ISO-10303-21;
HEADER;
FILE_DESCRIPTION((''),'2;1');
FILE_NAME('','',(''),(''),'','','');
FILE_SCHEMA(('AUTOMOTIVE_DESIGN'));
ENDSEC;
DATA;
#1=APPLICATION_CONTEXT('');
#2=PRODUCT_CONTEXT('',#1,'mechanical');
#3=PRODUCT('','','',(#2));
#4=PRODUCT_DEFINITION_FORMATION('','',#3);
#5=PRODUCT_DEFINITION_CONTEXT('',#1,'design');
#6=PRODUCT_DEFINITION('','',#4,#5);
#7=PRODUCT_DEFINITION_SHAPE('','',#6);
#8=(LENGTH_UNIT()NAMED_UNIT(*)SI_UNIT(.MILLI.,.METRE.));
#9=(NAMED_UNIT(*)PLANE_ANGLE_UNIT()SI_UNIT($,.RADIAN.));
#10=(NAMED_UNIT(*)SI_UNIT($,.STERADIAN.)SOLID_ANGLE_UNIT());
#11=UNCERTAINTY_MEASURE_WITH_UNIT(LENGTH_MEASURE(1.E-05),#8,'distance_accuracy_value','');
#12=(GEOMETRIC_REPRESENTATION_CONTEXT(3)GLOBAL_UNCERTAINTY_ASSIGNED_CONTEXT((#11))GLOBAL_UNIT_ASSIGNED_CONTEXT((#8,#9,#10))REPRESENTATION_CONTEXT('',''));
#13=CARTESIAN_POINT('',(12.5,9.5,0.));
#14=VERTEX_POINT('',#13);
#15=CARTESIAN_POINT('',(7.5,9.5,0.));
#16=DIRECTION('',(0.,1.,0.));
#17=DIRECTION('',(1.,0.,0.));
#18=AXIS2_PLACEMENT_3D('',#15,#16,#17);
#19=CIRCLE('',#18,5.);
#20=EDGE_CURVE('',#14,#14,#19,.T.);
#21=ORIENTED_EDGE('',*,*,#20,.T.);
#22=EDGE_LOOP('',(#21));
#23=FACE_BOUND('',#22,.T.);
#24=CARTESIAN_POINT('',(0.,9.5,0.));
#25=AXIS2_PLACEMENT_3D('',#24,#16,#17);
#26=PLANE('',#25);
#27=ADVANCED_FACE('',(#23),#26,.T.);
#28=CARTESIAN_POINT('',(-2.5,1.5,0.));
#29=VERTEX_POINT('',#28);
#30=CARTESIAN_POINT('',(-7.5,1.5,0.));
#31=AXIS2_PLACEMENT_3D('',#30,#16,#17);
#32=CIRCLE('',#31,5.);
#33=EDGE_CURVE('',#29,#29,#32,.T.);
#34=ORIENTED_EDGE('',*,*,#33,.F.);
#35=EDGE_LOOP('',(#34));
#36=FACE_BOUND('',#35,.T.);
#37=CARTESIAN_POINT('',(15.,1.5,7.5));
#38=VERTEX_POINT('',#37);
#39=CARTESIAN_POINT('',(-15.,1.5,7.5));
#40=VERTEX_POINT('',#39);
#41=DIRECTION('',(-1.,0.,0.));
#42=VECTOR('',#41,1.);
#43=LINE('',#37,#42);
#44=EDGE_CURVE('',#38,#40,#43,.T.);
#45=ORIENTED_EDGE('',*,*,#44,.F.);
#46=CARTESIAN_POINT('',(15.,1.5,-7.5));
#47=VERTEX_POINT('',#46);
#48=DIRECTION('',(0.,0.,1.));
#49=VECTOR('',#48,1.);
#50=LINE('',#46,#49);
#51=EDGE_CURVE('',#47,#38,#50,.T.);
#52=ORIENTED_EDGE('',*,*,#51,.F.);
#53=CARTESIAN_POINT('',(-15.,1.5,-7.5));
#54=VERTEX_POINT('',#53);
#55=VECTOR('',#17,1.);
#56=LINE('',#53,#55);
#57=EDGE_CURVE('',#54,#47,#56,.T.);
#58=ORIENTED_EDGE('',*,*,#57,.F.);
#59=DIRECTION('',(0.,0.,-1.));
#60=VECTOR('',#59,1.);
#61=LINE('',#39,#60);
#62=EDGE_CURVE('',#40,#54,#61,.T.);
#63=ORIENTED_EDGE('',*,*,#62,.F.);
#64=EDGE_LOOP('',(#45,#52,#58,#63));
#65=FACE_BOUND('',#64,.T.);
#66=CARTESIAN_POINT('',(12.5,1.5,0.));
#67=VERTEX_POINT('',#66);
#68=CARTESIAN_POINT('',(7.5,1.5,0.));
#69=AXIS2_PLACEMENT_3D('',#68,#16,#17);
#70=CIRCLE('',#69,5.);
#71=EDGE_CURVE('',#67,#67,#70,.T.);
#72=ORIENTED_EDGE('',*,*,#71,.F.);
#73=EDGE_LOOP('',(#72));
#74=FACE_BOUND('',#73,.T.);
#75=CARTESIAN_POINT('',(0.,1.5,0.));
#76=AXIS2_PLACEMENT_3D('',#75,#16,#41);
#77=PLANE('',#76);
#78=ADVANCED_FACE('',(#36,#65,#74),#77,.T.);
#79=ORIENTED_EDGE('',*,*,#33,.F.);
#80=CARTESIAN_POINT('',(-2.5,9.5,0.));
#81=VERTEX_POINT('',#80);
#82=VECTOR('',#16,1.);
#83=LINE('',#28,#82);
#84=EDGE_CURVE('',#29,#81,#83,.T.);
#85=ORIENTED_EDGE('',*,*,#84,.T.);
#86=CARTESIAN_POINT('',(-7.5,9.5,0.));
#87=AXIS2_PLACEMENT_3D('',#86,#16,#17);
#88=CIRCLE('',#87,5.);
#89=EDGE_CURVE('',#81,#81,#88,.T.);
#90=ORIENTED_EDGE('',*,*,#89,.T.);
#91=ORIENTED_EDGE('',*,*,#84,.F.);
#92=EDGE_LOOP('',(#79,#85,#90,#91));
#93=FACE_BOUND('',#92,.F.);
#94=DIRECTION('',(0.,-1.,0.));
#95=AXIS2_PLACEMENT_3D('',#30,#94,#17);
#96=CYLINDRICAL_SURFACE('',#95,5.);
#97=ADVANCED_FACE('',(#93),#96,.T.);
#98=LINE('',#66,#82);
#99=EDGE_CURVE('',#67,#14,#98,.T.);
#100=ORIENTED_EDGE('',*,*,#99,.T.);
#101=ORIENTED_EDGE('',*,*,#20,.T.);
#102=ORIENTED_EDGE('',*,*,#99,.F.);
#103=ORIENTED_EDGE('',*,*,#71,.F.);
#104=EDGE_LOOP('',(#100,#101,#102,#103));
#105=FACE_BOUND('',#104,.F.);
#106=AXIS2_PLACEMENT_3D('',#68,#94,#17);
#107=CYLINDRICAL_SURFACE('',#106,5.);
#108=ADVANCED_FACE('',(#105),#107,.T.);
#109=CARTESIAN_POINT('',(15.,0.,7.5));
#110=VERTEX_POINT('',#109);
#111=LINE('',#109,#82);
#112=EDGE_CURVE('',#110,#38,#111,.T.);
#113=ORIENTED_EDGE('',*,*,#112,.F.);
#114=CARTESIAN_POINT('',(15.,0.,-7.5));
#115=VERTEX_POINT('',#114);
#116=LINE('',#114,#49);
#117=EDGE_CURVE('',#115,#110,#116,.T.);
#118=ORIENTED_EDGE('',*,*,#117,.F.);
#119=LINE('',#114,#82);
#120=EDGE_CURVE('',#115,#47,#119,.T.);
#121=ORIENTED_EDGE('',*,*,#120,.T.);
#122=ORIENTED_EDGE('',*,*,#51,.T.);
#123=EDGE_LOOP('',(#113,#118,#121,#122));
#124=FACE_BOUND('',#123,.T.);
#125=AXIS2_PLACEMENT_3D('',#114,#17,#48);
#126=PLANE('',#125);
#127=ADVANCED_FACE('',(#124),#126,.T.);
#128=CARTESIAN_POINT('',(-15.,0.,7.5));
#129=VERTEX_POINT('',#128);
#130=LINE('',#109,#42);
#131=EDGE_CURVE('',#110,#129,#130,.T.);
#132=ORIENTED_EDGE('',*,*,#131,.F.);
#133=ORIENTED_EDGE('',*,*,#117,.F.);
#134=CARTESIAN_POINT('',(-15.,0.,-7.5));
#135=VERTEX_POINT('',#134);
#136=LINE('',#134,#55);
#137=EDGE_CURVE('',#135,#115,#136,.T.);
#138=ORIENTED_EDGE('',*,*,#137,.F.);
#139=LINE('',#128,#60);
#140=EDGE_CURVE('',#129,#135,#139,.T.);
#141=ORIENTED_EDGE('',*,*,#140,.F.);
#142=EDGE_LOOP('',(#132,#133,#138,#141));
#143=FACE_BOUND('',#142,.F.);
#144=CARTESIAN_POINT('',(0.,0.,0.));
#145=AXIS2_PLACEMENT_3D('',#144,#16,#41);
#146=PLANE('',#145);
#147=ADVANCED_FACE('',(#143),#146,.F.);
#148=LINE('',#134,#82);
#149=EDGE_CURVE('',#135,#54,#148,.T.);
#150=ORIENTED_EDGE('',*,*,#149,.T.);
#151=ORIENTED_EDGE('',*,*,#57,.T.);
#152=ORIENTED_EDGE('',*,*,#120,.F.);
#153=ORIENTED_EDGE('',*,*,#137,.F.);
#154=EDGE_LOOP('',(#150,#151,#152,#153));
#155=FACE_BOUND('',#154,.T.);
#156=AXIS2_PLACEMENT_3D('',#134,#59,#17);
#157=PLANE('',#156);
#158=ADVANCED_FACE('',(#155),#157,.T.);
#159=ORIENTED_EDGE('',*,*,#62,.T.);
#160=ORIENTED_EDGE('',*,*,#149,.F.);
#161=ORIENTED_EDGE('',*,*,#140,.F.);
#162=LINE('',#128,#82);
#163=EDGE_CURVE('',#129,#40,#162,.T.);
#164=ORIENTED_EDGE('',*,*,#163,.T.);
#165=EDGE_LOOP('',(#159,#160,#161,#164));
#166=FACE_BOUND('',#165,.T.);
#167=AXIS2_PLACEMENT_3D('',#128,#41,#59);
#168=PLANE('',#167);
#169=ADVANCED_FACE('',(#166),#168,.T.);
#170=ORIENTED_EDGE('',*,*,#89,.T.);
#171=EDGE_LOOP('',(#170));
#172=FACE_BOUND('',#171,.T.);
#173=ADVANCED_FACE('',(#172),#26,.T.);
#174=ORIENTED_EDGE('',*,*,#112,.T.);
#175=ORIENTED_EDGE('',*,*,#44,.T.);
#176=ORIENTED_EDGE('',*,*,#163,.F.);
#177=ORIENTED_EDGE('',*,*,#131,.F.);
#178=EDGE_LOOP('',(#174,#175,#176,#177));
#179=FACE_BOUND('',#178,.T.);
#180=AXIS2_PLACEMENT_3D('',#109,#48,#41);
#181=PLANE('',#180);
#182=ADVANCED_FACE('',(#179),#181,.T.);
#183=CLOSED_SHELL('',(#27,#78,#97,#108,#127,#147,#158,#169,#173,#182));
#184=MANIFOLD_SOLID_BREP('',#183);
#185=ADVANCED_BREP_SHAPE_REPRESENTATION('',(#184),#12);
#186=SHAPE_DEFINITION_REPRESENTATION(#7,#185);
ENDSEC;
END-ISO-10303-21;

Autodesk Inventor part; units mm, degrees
ref_plane "YZ Plane" through (0, 0, 0) normal (1, 0, 0) x (0, 1, 0)
ref_plane "XZ Plane" through (0, 0, 0) normal (0, 1, 0) x (-1, 0, 0)
ref_plane "XY Plane" through (0, 0, 0) normal (0, 0, 1) x (1, 0, 0)
sketch "Esquisse1" plane through (0, 0, 0) normal (0, 1, 0) x (-1, 0, 0)
  line L0 (-15, 7.5) -> (15, 7.5)
  line L1 (15, 7.5) -> (15, -7.5)
  line L2 (15, -7.5) -> (-15, -7.5)
  line L3 (-15, -7.5) -> (-15, 7.5)
  point P0 (0, 0)
  dimension "d0" = 15
  dimension "d1" = 30
  dimension "d2" = 15
  dimension "d3" = 7.5
extrude "Extrusion1" add sketch "Esquisse1" along normal blind 1.5
sketch "Esquisse2" plane through (0, 1.5, 0) normal (0, 1, 0) x (1, 0, 0)
  circle A0 centre (-7.5, 0) radius 5
  circle A1 centre (7.5, 0) radius 5
  point P0 (0, 0)
  dimension "d6" = 10
  dimension "d7" = 10
  dimension "d8" = 15
  dimension "d9" = 7.5
extrude "Extrusion2" add sketch "Esquisse2" along normal blind 8
equation "\"d2\" = 0.5 * d1"
equation "\"d3\" = 0.5 * d0"
equation "\"d7\" = d6"
equation "\"d9\" = 0.5 * d8"
properties part number "ultrason"
